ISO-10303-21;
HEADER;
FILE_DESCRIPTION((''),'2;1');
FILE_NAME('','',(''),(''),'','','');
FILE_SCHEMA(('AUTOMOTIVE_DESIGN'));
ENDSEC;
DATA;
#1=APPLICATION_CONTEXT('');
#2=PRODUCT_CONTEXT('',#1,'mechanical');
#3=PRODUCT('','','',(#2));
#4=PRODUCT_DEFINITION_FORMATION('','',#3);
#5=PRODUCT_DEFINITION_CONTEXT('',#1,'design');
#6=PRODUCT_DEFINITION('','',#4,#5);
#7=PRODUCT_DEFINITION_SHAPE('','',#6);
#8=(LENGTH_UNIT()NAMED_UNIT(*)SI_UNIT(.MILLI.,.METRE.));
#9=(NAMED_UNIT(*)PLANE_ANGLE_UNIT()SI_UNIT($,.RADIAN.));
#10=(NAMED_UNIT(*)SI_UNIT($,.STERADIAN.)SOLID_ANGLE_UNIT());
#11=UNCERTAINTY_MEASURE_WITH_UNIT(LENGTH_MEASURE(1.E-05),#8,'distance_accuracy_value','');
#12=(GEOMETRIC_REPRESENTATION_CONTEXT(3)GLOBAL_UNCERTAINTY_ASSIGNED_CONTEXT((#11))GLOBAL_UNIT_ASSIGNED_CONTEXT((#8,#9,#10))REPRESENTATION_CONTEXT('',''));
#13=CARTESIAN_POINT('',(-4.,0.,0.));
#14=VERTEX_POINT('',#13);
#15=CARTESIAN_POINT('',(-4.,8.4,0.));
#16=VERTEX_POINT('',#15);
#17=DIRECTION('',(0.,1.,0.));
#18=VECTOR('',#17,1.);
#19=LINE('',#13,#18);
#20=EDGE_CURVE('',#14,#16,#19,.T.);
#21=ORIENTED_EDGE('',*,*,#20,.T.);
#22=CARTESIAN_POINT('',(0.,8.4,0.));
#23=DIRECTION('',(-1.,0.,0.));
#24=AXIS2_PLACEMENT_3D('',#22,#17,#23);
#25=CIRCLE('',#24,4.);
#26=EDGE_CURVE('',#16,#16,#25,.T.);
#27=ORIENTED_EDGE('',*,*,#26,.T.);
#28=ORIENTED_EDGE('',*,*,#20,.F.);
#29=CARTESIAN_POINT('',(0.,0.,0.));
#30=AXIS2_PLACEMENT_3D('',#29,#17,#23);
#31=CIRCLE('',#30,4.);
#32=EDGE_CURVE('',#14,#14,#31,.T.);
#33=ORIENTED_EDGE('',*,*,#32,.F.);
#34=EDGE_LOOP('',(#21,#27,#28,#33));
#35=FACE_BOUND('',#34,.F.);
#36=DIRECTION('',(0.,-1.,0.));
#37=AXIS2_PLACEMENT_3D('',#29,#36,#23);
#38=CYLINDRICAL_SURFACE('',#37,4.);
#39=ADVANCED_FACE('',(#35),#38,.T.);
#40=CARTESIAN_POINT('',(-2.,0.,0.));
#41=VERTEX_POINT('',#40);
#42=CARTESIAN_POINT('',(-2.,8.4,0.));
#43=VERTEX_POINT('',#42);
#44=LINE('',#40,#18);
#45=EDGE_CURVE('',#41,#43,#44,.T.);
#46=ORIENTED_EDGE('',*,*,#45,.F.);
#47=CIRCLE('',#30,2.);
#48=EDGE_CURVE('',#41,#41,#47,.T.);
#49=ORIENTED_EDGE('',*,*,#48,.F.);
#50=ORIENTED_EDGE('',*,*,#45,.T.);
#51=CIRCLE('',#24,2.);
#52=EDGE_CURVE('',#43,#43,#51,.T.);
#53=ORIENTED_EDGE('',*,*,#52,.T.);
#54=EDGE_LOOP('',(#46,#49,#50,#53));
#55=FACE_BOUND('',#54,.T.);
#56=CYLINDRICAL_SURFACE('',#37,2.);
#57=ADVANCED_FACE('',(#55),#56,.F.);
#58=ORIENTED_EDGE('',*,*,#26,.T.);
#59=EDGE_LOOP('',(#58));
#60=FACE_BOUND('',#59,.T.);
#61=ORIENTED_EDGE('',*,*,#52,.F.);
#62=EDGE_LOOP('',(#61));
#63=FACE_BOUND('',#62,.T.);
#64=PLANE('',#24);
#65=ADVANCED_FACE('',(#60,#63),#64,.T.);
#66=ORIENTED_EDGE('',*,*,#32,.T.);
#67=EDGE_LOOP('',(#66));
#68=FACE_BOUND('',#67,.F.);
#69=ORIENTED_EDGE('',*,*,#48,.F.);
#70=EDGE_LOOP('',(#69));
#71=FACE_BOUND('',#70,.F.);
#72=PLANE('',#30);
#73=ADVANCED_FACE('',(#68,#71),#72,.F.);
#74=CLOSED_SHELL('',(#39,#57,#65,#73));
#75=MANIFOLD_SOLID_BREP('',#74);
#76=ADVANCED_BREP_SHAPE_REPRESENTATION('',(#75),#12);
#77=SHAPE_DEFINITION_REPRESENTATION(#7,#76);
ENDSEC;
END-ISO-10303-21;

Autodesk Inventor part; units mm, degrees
ref_plane "YZ Plane" through (0, 0, 0) normal (1, 0, 0) x (0, 1, 0)
ref_plane "XZ Plane" through (0, 0, 0) normal (0, 1, 0) x (-1, 0, 0)
ref_plane "XY Plane" through (0, 0, 0) normal (0, 0, 1) x (1, 0, 0)
sketch "Esquisse1" plane through (0, 0, 0) normal (0, 1, 0) x (-1, 0, 0)
  circle A0 centre (0, 0) radius 2
  circle A1 centre (0, 0) radius 4
  dimension "d0" = 4
  dimension "d1" = 8
extrude "Extrusion1" add sketch "Esquisse1" along normal blind 8.4
properties part number "Bague" material "Aluminium 6061"
